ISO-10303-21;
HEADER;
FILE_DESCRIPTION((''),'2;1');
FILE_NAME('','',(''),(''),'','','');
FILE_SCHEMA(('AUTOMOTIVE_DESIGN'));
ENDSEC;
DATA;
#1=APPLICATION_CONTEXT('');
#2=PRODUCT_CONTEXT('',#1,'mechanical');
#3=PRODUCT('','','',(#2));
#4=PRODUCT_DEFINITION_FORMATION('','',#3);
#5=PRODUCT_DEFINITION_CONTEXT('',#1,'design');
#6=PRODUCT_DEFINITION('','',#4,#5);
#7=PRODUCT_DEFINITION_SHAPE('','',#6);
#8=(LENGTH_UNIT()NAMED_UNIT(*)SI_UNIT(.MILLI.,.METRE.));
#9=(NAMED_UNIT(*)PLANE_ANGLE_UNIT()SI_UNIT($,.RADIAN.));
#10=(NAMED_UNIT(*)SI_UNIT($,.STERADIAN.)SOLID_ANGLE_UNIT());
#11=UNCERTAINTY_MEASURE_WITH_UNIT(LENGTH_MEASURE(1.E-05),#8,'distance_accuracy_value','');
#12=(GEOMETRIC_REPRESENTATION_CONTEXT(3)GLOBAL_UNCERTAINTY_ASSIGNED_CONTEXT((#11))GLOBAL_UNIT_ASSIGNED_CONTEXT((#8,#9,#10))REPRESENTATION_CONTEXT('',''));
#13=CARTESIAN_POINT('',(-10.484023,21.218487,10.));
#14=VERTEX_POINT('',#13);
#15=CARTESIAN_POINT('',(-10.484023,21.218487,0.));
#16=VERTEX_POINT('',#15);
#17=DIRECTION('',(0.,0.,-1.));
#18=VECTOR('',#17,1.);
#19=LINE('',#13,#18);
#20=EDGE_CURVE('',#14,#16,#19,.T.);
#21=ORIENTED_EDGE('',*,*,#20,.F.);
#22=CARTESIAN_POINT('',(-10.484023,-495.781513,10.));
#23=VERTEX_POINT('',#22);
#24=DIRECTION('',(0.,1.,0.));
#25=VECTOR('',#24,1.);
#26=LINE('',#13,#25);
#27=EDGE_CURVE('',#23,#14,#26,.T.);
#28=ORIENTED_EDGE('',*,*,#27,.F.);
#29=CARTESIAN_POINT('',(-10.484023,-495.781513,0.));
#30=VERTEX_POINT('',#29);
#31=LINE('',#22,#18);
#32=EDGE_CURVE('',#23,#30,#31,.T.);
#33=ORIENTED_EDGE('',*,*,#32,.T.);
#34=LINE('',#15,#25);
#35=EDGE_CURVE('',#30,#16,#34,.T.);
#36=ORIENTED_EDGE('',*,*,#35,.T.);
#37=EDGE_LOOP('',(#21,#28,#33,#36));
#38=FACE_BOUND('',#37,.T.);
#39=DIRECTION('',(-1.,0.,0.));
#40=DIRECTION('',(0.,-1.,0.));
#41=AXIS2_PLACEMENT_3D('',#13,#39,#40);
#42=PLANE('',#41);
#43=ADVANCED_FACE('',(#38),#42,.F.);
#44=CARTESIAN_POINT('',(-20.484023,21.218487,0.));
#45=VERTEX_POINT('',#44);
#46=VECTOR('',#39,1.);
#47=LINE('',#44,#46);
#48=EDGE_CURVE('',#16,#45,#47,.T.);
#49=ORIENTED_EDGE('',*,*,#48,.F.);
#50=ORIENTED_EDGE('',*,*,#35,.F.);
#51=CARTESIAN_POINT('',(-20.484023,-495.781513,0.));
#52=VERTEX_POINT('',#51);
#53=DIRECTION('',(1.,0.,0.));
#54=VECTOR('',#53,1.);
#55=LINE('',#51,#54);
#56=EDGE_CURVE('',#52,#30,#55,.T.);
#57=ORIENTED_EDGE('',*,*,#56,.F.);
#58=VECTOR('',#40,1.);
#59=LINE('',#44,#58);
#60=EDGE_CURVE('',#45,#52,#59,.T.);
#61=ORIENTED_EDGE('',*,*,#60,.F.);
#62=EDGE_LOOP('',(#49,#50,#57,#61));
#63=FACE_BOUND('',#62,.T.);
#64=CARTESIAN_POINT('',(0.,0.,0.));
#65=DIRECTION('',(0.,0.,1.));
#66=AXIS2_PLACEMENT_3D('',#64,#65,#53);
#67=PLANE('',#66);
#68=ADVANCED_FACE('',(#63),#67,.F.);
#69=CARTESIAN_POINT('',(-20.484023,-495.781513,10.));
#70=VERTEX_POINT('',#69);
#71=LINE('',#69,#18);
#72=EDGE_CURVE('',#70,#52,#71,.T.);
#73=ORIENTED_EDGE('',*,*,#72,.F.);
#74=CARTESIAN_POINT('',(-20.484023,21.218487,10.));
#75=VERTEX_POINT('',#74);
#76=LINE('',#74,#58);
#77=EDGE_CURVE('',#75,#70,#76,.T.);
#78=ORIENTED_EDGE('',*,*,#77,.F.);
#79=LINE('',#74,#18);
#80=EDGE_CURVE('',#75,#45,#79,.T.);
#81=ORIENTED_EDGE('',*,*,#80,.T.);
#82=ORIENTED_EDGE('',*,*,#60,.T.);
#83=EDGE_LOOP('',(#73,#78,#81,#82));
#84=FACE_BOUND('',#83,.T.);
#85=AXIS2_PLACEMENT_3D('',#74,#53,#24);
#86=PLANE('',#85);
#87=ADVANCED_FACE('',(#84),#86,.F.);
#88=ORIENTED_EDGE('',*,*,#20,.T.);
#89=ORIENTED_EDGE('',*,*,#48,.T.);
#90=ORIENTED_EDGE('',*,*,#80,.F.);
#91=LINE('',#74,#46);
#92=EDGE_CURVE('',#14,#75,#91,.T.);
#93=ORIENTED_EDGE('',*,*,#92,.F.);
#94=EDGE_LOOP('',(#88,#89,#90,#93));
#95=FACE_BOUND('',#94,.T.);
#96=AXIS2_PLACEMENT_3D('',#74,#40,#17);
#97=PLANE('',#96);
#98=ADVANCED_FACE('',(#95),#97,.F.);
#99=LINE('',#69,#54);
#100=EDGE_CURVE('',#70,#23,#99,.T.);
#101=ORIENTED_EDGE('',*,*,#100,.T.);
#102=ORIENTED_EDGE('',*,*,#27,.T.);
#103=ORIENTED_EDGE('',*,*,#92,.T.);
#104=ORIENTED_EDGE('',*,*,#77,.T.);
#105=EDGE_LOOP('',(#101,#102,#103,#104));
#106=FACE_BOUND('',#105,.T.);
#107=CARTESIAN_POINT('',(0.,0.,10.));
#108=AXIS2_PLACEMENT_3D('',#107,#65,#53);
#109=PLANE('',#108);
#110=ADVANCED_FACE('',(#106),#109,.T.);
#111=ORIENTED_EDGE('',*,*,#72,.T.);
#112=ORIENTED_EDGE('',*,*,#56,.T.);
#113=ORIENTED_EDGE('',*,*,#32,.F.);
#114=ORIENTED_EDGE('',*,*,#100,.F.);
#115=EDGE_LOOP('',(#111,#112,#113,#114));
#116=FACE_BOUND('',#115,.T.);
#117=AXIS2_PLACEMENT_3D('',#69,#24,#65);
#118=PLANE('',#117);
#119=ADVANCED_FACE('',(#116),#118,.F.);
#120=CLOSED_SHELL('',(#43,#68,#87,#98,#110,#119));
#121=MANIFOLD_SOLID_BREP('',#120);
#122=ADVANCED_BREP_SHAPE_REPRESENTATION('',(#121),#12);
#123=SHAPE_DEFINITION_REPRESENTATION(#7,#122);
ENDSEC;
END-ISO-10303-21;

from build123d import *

# Parameters (mm, degrees)
ESQUISSE1_W        = 10
ESQUISSE1_H        = 517
BOSS_EXTRU_1_DEPTH = 10


with BuildPart() as part:
    # Esquisse1 → Boss.-Extru.1 (new body)
    with BuildSketch(Plane.XY):
        with Locations((-15.484022556, -237.281512605)):
            Rectangle(ESQUISSE1_W, ESQUISSE1_H)
    extrude(amount=BOSS_EXTRU_1_DEPTH)


solid = part.part
